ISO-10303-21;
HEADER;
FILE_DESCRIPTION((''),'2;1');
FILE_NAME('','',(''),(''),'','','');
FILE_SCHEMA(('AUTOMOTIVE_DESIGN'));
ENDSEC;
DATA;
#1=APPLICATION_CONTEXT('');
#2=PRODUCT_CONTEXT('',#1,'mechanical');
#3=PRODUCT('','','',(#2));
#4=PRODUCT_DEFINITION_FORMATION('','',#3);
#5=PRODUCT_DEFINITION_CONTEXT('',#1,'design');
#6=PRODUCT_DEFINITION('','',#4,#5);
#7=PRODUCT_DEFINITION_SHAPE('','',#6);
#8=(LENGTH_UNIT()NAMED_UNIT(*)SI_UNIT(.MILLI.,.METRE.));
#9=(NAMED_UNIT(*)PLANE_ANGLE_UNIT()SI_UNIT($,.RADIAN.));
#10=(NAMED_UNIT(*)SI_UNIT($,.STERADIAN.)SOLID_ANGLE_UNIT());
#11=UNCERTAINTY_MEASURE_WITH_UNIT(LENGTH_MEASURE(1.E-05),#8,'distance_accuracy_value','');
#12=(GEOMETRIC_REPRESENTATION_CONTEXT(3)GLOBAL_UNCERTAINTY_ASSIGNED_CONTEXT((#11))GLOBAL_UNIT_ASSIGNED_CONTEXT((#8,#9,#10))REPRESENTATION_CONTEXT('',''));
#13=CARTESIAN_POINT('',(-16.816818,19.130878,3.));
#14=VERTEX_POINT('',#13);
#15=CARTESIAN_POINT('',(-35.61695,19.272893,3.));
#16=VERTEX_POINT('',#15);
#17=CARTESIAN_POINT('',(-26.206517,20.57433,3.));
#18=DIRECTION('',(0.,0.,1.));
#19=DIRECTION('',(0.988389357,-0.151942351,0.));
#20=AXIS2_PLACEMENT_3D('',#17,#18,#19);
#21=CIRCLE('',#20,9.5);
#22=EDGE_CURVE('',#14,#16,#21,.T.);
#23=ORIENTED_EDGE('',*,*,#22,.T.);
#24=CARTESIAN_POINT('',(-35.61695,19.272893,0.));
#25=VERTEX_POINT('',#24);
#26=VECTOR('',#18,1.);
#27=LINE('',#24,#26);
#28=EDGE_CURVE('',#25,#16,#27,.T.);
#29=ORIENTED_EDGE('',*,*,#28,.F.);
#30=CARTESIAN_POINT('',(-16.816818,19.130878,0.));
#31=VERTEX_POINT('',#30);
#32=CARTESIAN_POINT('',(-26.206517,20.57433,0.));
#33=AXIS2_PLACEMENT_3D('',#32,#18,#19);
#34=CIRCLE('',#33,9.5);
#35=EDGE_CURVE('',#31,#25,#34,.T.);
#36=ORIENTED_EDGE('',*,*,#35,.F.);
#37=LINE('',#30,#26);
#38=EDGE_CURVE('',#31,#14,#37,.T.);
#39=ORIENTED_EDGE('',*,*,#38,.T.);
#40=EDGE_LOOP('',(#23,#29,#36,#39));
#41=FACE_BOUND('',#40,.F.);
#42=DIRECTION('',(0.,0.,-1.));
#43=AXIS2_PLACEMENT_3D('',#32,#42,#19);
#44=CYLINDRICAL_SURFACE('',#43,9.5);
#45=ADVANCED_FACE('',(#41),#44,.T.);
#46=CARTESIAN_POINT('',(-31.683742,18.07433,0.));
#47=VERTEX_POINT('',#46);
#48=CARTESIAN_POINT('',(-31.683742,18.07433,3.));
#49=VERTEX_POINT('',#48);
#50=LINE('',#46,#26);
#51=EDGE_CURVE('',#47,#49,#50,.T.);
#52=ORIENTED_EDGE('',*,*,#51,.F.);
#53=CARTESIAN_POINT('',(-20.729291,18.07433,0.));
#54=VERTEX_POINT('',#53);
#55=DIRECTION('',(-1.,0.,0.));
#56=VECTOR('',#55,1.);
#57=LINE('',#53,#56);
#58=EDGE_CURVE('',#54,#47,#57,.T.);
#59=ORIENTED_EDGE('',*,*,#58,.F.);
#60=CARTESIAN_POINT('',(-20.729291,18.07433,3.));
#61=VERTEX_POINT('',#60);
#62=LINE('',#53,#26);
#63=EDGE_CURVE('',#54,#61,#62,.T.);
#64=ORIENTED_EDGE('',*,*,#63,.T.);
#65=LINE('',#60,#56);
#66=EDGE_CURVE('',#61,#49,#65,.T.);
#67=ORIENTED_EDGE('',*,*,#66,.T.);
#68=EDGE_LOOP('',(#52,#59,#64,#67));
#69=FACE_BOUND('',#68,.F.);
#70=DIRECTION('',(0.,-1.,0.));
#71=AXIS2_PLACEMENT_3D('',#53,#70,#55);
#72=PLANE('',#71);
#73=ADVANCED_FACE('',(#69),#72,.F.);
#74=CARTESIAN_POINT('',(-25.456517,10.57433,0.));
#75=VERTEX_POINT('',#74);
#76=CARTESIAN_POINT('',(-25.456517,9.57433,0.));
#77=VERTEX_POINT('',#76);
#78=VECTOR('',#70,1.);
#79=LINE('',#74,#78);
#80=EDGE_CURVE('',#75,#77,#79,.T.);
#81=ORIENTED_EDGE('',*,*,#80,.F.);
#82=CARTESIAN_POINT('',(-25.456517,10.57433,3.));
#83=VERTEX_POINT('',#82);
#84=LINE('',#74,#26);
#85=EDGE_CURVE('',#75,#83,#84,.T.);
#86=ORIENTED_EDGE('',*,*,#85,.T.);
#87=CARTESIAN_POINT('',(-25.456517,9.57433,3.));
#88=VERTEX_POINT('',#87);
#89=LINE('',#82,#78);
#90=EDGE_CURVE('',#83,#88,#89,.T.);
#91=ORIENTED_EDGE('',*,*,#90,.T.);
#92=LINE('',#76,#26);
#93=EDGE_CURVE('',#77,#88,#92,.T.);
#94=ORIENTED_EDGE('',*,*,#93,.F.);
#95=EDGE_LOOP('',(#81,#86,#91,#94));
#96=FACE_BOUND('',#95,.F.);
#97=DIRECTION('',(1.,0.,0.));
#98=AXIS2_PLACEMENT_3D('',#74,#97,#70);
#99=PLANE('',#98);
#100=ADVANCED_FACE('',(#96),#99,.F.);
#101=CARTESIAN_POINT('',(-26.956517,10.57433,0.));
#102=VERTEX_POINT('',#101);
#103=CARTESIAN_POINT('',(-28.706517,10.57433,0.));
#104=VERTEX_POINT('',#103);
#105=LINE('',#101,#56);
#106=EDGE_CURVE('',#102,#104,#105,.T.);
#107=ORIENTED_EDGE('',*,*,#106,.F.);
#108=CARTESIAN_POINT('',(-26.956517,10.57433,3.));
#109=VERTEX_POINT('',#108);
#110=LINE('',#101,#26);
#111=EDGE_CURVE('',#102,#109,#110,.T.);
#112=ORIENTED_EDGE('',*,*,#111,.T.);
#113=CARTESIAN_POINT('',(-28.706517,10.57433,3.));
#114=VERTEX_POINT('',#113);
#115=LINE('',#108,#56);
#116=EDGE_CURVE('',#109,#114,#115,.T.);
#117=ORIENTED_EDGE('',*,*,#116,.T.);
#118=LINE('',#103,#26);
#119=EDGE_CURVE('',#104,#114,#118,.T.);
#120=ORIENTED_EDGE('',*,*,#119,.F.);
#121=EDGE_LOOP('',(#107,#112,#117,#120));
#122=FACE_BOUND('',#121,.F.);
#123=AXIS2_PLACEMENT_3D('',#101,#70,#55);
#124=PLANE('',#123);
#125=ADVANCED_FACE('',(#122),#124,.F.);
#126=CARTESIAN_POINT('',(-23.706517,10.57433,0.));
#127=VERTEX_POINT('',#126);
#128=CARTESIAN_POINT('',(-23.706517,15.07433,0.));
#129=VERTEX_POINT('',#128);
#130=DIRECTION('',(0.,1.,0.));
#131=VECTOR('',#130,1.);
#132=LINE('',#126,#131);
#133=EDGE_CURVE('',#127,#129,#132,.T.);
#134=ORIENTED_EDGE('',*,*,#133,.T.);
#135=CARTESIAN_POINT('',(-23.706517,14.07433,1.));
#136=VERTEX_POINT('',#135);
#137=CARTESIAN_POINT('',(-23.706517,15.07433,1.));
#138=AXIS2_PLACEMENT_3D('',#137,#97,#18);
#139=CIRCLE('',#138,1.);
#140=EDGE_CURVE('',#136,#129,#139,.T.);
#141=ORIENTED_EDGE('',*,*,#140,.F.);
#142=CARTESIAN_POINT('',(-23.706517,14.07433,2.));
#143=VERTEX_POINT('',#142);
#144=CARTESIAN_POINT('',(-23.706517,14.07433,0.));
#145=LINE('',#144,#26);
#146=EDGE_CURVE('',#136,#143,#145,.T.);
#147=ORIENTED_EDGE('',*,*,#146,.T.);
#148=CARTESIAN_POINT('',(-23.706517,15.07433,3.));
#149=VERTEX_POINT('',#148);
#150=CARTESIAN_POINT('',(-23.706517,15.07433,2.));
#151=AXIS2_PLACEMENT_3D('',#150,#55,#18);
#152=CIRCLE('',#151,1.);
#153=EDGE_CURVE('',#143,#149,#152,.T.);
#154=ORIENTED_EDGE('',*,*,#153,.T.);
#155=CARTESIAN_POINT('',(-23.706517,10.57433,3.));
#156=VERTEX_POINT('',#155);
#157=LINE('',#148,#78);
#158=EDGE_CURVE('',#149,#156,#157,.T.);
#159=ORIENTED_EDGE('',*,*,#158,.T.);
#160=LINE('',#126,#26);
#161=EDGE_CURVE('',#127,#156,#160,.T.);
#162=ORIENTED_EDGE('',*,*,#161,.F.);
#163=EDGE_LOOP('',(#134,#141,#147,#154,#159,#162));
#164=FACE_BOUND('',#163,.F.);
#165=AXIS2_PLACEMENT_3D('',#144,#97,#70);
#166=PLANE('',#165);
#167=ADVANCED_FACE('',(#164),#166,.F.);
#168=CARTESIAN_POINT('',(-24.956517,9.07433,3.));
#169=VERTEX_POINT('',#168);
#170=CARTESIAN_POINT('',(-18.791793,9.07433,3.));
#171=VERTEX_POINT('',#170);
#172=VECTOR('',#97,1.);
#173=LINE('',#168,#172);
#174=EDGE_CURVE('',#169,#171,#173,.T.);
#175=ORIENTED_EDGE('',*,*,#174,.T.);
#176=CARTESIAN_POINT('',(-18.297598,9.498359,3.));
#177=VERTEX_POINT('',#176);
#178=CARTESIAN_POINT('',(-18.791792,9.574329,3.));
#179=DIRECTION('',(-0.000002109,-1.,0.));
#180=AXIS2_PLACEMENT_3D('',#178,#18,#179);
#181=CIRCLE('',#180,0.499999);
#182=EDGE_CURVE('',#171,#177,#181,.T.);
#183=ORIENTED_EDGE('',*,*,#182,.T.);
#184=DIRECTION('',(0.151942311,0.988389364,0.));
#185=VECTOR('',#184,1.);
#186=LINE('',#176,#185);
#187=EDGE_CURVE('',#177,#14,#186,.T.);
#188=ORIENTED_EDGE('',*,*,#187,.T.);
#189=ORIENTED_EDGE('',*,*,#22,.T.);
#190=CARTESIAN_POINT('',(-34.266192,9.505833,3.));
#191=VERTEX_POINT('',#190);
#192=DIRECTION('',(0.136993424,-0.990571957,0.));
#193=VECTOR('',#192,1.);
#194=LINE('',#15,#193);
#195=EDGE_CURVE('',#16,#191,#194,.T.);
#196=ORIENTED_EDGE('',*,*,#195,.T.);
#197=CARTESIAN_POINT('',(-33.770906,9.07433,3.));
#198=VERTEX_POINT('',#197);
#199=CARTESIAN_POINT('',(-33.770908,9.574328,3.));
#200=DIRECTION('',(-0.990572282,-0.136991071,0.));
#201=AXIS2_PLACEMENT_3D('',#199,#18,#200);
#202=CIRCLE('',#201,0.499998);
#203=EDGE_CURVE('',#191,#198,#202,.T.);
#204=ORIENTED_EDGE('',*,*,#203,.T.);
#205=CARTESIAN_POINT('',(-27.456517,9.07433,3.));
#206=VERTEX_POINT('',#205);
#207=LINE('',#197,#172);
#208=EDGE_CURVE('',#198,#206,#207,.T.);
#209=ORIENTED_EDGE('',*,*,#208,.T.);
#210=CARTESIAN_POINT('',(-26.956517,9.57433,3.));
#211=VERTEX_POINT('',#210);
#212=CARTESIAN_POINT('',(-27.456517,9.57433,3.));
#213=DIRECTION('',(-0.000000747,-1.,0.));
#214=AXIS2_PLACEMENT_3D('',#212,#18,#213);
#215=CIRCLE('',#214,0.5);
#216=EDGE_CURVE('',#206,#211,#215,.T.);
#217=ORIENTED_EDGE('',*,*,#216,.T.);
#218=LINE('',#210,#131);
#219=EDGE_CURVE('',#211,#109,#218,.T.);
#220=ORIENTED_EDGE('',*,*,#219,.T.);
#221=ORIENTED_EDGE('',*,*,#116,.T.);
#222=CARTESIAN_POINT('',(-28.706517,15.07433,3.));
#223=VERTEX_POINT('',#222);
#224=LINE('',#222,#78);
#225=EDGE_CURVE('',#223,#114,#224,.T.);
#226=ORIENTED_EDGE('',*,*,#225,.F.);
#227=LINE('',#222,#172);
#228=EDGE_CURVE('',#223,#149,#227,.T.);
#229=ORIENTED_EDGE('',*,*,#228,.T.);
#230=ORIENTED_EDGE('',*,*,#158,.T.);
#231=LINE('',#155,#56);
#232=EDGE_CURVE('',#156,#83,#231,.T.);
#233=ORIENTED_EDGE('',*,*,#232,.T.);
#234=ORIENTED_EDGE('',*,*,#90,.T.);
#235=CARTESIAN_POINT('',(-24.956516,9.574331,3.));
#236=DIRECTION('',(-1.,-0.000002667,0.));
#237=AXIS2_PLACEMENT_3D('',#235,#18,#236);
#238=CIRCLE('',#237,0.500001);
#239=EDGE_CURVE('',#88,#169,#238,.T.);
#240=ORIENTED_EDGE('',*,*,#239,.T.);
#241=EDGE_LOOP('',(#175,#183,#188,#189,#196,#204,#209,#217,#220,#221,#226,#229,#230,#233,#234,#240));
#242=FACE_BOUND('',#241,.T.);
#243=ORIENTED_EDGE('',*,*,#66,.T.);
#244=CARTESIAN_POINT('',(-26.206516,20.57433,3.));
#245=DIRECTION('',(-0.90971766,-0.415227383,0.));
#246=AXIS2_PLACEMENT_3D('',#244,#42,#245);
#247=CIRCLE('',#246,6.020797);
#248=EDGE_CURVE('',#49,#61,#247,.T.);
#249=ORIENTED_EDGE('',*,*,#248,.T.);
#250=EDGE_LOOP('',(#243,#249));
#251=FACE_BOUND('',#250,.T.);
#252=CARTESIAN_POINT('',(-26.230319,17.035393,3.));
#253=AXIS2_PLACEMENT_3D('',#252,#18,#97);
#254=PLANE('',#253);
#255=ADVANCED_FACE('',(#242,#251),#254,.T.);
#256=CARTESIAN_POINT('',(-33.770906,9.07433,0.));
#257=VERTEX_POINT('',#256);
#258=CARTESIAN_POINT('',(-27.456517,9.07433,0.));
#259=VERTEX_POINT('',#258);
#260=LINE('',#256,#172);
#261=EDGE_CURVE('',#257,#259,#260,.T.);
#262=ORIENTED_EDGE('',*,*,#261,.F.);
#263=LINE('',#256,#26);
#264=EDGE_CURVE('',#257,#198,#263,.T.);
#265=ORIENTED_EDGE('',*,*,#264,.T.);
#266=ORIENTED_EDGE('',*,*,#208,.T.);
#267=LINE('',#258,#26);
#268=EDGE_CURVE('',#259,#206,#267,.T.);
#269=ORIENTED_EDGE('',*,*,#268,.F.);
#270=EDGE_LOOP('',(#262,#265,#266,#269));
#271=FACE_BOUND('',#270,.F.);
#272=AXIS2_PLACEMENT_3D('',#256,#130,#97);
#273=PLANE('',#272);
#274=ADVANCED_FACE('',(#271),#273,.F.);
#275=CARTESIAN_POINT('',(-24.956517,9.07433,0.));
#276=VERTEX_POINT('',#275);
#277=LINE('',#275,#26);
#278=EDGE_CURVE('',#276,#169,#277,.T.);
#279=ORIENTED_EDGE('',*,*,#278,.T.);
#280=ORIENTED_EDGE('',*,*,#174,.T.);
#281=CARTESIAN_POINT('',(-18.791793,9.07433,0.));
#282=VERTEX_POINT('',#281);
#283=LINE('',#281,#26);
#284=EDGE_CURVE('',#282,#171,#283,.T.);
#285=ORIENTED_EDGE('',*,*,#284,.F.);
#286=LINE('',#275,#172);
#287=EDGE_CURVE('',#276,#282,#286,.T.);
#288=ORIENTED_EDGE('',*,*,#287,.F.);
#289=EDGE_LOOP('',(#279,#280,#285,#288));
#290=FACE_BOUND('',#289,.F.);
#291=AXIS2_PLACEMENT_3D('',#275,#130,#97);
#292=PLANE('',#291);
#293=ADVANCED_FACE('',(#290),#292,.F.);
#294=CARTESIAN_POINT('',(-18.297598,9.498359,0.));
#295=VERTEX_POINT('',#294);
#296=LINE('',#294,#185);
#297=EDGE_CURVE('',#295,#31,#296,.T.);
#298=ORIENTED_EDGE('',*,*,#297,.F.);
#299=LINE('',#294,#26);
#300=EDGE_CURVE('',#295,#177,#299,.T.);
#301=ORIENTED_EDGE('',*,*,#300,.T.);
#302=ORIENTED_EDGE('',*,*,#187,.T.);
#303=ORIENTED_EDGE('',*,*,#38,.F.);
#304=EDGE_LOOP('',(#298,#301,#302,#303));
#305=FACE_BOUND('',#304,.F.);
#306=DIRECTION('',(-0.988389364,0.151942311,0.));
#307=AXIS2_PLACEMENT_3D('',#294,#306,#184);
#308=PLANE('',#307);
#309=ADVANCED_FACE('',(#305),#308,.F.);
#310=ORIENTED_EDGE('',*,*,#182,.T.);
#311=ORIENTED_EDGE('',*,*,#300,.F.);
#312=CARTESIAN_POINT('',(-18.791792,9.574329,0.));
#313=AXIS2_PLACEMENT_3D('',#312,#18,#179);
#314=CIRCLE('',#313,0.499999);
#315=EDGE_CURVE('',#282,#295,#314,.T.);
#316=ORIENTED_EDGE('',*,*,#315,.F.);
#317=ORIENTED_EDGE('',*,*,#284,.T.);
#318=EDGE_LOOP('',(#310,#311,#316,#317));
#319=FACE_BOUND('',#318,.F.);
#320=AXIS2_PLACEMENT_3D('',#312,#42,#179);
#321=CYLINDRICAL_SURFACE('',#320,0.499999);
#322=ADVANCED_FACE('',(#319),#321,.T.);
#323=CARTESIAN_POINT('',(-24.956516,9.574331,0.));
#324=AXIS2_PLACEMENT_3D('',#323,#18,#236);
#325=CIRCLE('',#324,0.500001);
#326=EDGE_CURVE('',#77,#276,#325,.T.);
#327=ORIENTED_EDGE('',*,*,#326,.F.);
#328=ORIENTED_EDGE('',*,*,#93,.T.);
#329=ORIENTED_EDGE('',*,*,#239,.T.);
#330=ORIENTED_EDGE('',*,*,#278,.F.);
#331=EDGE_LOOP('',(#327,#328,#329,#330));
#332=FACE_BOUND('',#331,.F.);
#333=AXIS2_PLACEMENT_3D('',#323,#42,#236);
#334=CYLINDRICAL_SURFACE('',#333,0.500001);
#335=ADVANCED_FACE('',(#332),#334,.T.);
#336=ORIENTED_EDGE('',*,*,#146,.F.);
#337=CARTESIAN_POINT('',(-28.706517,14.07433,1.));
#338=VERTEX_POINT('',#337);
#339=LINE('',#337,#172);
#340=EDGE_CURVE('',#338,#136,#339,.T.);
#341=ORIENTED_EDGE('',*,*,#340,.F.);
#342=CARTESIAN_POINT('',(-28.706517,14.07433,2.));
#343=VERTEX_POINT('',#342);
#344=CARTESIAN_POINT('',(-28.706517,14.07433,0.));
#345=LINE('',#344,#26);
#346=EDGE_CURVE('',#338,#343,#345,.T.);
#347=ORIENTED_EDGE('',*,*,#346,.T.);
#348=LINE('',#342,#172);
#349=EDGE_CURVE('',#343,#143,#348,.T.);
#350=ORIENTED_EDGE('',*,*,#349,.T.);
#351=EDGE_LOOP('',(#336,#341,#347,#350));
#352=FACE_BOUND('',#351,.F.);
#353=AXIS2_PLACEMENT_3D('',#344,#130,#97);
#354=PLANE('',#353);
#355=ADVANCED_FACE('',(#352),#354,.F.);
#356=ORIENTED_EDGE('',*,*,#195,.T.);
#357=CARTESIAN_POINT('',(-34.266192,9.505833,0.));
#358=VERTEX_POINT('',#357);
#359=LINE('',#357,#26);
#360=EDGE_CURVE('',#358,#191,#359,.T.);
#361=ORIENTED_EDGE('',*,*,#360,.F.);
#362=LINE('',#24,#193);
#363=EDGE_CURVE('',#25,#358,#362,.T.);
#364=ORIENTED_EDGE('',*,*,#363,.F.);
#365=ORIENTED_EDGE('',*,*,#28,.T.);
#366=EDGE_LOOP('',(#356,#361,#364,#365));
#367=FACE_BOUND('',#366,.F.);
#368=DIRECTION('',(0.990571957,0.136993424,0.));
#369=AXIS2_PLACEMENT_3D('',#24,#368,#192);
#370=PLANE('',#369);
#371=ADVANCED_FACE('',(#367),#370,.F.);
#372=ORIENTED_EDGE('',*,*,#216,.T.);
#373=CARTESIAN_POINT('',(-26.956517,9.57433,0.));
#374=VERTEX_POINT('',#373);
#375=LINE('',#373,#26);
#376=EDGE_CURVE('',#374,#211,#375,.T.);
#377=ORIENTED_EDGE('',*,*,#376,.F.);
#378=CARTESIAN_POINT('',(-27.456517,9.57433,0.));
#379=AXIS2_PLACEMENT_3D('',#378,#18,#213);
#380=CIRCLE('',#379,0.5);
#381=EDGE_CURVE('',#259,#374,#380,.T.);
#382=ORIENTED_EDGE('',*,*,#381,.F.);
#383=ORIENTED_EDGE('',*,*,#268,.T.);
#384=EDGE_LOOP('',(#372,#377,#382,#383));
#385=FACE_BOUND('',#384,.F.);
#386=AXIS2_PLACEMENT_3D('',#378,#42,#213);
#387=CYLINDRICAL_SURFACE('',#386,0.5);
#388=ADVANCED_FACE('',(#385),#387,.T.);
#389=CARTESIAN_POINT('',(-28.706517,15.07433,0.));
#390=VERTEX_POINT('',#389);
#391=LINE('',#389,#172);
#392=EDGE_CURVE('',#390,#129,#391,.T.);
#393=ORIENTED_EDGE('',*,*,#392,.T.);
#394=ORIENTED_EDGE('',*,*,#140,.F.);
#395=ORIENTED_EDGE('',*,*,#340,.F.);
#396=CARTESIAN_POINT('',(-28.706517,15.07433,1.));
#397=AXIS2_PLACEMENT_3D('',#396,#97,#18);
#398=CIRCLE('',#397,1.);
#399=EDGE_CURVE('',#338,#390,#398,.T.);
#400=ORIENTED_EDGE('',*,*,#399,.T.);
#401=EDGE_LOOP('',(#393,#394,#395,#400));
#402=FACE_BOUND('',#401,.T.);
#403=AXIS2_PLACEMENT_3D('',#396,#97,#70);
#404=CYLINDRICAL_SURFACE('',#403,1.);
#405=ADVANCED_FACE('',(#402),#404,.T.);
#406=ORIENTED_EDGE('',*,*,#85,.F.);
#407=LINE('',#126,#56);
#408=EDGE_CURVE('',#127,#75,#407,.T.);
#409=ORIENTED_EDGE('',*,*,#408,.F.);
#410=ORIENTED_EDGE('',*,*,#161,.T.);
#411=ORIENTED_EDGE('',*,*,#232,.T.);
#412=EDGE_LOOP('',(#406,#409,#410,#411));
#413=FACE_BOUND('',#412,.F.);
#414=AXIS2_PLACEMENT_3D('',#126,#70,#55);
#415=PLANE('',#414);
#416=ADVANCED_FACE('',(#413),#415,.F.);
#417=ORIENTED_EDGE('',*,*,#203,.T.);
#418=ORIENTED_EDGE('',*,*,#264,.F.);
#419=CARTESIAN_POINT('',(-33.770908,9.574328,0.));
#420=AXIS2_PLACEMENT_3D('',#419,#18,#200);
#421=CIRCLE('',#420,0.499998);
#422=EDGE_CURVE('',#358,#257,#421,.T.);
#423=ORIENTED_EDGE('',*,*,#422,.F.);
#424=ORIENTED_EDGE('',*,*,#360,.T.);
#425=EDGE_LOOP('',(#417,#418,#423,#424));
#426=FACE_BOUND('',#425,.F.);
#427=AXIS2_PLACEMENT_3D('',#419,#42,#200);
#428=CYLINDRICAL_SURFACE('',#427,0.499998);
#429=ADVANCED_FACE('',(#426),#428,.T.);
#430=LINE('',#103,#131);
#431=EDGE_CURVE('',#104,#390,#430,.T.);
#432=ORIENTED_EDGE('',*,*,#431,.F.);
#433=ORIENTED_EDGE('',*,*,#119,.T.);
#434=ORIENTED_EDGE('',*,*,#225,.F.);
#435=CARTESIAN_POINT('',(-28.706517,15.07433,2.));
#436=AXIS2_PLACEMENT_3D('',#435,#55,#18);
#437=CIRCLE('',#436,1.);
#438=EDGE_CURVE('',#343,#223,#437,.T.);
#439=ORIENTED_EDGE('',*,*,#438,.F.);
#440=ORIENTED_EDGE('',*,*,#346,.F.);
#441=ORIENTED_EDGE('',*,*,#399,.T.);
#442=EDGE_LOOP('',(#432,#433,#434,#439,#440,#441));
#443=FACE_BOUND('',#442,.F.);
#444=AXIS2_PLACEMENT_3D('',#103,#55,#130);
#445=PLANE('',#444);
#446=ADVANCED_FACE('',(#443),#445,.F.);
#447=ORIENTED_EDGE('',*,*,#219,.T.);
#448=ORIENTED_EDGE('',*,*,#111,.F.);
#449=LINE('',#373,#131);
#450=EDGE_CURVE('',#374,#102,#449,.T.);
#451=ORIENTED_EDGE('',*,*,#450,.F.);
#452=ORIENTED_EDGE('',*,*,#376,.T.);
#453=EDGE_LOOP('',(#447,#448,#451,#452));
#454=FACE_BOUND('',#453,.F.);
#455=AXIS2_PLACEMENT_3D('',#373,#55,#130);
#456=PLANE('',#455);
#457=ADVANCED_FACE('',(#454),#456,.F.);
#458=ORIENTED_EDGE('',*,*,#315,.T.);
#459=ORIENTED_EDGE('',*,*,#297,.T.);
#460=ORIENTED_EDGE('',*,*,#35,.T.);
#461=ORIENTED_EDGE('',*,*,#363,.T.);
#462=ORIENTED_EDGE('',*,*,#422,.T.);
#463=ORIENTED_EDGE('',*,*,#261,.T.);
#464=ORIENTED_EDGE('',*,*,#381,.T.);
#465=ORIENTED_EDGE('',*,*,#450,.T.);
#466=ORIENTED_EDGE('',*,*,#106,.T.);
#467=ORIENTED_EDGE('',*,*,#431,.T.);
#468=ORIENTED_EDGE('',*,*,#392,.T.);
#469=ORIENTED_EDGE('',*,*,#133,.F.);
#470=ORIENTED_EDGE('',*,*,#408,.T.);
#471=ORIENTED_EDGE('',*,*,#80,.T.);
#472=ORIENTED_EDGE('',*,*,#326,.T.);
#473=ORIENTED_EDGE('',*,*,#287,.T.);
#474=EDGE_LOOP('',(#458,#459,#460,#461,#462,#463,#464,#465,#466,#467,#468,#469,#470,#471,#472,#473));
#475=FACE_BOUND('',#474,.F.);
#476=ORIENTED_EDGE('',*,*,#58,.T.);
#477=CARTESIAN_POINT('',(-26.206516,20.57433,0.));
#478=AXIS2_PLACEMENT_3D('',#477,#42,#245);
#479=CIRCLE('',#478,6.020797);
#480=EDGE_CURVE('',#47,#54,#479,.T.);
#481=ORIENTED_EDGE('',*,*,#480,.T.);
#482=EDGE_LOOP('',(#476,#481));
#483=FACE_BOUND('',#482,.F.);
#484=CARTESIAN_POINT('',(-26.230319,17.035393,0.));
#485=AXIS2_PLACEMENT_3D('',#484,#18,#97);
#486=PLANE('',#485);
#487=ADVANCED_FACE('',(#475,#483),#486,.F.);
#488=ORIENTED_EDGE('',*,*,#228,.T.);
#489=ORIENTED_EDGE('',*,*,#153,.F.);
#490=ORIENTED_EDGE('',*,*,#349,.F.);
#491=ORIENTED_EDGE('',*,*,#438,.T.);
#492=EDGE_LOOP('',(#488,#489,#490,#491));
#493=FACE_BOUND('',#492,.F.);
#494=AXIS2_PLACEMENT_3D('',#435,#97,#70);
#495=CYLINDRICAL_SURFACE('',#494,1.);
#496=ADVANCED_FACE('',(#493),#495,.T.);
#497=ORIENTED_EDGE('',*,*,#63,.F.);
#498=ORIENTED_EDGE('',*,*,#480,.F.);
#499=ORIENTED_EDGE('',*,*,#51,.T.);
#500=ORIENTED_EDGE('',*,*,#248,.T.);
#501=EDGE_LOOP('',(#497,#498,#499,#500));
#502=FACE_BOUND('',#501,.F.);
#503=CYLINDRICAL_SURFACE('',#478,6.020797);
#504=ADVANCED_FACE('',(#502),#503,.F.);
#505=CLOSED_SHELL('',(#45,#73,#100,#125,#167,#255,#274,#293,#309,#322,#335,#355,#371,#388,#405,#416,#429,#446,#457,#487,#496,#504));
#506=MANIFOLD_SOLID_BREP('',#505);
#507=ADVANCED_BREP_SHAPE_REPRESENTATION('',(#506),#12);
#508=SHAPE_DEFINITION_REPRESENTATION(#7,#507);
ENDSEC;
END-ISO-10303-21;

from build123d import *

# Parameters (mm, degrees)
F1_DEPTH = 3
F2_R     = 1


with BuildPart() as f1:
    # F0 (on Top) → F1 (new body)
    with BuildSketch(Plane.XY):
        with BuildLine():
            Line((-28.706517, 10.57433), (-28.706517, 14.07433))
            Line((-28.706517, 14.07433), (-23.706517, 14.07433))
            Line((-23.706517, 14.07433), (-23.706517, 10.57433))
            Line((-23.706517, 10.57433), (-25.456517, 10.57433))
            Line((-25.456517, 10.57433), (-25.456517, 9.57433))
            ThreePointArc((-25.456517, 9.57433), (-25.31007, 9.220777), (-24.956517, 9.07433))
            Line((-24.956517, 9.07433), (-23.706517, 9.07433))
            Line((-23.706517, 9.07433), (-22.618948, 9.07433))
            Line((-22.618948, 9.07433), (-18.791793, 9.07433))
            ThreePointArc((-18.791793, 9.07433), (-18.466205, 9.194866), (-18.297598, 9.498359))
            Line((-18.297598, 9.498359), (-16.816818, 19.130878))
            ThreePointArc((-16.816818, 19.130878), (-26.134756, 30.074059), (-35.61695, 19.272893))
            Line((-35.61695, 19.272893), (-34.266192, 9.505833))
            ThreePointArc((-34.266192, 9.505833), (-34.099351, 9.197336), (-33.770906, 9.07433))
            Line((-33.770906, 9.07433), (-29.794085, 9.07433))
            Line((-29.794085, 9.07433), (-27.456517, 9.07433))
            ThreePointArc((-27.456517, 9.07433), (-27.102963, 9.220777), (-26.956517, 9.57433))
            Line((-26.956517, 9.57433), (-26.956517, 10.57433))
            Line((-26.956517, 10.57433), (-28.706517, 10.57433))
        make_face()
        with BuildLine():
            Line((-20.729291, 18.07433), (-31.683742, 18.07433))
            ThreePointArc((-31.683742, 18.07433), (-26.206517, 26.595127), (-20.729291, 18.07433))
        make_face(mode=Mode.SUBTRACT)
    extrude(amount=F1_DEPTH)

    # F2
    f2_edges = [f1.edges().sort_by_distance(p)[0] for p in [
        (-26.206517, 14.07433, 3),
        (-26.206517, 14.07433, 0),
    ]]
    fillet(f2_edges, radius=F2_R)


solid = f1.part
